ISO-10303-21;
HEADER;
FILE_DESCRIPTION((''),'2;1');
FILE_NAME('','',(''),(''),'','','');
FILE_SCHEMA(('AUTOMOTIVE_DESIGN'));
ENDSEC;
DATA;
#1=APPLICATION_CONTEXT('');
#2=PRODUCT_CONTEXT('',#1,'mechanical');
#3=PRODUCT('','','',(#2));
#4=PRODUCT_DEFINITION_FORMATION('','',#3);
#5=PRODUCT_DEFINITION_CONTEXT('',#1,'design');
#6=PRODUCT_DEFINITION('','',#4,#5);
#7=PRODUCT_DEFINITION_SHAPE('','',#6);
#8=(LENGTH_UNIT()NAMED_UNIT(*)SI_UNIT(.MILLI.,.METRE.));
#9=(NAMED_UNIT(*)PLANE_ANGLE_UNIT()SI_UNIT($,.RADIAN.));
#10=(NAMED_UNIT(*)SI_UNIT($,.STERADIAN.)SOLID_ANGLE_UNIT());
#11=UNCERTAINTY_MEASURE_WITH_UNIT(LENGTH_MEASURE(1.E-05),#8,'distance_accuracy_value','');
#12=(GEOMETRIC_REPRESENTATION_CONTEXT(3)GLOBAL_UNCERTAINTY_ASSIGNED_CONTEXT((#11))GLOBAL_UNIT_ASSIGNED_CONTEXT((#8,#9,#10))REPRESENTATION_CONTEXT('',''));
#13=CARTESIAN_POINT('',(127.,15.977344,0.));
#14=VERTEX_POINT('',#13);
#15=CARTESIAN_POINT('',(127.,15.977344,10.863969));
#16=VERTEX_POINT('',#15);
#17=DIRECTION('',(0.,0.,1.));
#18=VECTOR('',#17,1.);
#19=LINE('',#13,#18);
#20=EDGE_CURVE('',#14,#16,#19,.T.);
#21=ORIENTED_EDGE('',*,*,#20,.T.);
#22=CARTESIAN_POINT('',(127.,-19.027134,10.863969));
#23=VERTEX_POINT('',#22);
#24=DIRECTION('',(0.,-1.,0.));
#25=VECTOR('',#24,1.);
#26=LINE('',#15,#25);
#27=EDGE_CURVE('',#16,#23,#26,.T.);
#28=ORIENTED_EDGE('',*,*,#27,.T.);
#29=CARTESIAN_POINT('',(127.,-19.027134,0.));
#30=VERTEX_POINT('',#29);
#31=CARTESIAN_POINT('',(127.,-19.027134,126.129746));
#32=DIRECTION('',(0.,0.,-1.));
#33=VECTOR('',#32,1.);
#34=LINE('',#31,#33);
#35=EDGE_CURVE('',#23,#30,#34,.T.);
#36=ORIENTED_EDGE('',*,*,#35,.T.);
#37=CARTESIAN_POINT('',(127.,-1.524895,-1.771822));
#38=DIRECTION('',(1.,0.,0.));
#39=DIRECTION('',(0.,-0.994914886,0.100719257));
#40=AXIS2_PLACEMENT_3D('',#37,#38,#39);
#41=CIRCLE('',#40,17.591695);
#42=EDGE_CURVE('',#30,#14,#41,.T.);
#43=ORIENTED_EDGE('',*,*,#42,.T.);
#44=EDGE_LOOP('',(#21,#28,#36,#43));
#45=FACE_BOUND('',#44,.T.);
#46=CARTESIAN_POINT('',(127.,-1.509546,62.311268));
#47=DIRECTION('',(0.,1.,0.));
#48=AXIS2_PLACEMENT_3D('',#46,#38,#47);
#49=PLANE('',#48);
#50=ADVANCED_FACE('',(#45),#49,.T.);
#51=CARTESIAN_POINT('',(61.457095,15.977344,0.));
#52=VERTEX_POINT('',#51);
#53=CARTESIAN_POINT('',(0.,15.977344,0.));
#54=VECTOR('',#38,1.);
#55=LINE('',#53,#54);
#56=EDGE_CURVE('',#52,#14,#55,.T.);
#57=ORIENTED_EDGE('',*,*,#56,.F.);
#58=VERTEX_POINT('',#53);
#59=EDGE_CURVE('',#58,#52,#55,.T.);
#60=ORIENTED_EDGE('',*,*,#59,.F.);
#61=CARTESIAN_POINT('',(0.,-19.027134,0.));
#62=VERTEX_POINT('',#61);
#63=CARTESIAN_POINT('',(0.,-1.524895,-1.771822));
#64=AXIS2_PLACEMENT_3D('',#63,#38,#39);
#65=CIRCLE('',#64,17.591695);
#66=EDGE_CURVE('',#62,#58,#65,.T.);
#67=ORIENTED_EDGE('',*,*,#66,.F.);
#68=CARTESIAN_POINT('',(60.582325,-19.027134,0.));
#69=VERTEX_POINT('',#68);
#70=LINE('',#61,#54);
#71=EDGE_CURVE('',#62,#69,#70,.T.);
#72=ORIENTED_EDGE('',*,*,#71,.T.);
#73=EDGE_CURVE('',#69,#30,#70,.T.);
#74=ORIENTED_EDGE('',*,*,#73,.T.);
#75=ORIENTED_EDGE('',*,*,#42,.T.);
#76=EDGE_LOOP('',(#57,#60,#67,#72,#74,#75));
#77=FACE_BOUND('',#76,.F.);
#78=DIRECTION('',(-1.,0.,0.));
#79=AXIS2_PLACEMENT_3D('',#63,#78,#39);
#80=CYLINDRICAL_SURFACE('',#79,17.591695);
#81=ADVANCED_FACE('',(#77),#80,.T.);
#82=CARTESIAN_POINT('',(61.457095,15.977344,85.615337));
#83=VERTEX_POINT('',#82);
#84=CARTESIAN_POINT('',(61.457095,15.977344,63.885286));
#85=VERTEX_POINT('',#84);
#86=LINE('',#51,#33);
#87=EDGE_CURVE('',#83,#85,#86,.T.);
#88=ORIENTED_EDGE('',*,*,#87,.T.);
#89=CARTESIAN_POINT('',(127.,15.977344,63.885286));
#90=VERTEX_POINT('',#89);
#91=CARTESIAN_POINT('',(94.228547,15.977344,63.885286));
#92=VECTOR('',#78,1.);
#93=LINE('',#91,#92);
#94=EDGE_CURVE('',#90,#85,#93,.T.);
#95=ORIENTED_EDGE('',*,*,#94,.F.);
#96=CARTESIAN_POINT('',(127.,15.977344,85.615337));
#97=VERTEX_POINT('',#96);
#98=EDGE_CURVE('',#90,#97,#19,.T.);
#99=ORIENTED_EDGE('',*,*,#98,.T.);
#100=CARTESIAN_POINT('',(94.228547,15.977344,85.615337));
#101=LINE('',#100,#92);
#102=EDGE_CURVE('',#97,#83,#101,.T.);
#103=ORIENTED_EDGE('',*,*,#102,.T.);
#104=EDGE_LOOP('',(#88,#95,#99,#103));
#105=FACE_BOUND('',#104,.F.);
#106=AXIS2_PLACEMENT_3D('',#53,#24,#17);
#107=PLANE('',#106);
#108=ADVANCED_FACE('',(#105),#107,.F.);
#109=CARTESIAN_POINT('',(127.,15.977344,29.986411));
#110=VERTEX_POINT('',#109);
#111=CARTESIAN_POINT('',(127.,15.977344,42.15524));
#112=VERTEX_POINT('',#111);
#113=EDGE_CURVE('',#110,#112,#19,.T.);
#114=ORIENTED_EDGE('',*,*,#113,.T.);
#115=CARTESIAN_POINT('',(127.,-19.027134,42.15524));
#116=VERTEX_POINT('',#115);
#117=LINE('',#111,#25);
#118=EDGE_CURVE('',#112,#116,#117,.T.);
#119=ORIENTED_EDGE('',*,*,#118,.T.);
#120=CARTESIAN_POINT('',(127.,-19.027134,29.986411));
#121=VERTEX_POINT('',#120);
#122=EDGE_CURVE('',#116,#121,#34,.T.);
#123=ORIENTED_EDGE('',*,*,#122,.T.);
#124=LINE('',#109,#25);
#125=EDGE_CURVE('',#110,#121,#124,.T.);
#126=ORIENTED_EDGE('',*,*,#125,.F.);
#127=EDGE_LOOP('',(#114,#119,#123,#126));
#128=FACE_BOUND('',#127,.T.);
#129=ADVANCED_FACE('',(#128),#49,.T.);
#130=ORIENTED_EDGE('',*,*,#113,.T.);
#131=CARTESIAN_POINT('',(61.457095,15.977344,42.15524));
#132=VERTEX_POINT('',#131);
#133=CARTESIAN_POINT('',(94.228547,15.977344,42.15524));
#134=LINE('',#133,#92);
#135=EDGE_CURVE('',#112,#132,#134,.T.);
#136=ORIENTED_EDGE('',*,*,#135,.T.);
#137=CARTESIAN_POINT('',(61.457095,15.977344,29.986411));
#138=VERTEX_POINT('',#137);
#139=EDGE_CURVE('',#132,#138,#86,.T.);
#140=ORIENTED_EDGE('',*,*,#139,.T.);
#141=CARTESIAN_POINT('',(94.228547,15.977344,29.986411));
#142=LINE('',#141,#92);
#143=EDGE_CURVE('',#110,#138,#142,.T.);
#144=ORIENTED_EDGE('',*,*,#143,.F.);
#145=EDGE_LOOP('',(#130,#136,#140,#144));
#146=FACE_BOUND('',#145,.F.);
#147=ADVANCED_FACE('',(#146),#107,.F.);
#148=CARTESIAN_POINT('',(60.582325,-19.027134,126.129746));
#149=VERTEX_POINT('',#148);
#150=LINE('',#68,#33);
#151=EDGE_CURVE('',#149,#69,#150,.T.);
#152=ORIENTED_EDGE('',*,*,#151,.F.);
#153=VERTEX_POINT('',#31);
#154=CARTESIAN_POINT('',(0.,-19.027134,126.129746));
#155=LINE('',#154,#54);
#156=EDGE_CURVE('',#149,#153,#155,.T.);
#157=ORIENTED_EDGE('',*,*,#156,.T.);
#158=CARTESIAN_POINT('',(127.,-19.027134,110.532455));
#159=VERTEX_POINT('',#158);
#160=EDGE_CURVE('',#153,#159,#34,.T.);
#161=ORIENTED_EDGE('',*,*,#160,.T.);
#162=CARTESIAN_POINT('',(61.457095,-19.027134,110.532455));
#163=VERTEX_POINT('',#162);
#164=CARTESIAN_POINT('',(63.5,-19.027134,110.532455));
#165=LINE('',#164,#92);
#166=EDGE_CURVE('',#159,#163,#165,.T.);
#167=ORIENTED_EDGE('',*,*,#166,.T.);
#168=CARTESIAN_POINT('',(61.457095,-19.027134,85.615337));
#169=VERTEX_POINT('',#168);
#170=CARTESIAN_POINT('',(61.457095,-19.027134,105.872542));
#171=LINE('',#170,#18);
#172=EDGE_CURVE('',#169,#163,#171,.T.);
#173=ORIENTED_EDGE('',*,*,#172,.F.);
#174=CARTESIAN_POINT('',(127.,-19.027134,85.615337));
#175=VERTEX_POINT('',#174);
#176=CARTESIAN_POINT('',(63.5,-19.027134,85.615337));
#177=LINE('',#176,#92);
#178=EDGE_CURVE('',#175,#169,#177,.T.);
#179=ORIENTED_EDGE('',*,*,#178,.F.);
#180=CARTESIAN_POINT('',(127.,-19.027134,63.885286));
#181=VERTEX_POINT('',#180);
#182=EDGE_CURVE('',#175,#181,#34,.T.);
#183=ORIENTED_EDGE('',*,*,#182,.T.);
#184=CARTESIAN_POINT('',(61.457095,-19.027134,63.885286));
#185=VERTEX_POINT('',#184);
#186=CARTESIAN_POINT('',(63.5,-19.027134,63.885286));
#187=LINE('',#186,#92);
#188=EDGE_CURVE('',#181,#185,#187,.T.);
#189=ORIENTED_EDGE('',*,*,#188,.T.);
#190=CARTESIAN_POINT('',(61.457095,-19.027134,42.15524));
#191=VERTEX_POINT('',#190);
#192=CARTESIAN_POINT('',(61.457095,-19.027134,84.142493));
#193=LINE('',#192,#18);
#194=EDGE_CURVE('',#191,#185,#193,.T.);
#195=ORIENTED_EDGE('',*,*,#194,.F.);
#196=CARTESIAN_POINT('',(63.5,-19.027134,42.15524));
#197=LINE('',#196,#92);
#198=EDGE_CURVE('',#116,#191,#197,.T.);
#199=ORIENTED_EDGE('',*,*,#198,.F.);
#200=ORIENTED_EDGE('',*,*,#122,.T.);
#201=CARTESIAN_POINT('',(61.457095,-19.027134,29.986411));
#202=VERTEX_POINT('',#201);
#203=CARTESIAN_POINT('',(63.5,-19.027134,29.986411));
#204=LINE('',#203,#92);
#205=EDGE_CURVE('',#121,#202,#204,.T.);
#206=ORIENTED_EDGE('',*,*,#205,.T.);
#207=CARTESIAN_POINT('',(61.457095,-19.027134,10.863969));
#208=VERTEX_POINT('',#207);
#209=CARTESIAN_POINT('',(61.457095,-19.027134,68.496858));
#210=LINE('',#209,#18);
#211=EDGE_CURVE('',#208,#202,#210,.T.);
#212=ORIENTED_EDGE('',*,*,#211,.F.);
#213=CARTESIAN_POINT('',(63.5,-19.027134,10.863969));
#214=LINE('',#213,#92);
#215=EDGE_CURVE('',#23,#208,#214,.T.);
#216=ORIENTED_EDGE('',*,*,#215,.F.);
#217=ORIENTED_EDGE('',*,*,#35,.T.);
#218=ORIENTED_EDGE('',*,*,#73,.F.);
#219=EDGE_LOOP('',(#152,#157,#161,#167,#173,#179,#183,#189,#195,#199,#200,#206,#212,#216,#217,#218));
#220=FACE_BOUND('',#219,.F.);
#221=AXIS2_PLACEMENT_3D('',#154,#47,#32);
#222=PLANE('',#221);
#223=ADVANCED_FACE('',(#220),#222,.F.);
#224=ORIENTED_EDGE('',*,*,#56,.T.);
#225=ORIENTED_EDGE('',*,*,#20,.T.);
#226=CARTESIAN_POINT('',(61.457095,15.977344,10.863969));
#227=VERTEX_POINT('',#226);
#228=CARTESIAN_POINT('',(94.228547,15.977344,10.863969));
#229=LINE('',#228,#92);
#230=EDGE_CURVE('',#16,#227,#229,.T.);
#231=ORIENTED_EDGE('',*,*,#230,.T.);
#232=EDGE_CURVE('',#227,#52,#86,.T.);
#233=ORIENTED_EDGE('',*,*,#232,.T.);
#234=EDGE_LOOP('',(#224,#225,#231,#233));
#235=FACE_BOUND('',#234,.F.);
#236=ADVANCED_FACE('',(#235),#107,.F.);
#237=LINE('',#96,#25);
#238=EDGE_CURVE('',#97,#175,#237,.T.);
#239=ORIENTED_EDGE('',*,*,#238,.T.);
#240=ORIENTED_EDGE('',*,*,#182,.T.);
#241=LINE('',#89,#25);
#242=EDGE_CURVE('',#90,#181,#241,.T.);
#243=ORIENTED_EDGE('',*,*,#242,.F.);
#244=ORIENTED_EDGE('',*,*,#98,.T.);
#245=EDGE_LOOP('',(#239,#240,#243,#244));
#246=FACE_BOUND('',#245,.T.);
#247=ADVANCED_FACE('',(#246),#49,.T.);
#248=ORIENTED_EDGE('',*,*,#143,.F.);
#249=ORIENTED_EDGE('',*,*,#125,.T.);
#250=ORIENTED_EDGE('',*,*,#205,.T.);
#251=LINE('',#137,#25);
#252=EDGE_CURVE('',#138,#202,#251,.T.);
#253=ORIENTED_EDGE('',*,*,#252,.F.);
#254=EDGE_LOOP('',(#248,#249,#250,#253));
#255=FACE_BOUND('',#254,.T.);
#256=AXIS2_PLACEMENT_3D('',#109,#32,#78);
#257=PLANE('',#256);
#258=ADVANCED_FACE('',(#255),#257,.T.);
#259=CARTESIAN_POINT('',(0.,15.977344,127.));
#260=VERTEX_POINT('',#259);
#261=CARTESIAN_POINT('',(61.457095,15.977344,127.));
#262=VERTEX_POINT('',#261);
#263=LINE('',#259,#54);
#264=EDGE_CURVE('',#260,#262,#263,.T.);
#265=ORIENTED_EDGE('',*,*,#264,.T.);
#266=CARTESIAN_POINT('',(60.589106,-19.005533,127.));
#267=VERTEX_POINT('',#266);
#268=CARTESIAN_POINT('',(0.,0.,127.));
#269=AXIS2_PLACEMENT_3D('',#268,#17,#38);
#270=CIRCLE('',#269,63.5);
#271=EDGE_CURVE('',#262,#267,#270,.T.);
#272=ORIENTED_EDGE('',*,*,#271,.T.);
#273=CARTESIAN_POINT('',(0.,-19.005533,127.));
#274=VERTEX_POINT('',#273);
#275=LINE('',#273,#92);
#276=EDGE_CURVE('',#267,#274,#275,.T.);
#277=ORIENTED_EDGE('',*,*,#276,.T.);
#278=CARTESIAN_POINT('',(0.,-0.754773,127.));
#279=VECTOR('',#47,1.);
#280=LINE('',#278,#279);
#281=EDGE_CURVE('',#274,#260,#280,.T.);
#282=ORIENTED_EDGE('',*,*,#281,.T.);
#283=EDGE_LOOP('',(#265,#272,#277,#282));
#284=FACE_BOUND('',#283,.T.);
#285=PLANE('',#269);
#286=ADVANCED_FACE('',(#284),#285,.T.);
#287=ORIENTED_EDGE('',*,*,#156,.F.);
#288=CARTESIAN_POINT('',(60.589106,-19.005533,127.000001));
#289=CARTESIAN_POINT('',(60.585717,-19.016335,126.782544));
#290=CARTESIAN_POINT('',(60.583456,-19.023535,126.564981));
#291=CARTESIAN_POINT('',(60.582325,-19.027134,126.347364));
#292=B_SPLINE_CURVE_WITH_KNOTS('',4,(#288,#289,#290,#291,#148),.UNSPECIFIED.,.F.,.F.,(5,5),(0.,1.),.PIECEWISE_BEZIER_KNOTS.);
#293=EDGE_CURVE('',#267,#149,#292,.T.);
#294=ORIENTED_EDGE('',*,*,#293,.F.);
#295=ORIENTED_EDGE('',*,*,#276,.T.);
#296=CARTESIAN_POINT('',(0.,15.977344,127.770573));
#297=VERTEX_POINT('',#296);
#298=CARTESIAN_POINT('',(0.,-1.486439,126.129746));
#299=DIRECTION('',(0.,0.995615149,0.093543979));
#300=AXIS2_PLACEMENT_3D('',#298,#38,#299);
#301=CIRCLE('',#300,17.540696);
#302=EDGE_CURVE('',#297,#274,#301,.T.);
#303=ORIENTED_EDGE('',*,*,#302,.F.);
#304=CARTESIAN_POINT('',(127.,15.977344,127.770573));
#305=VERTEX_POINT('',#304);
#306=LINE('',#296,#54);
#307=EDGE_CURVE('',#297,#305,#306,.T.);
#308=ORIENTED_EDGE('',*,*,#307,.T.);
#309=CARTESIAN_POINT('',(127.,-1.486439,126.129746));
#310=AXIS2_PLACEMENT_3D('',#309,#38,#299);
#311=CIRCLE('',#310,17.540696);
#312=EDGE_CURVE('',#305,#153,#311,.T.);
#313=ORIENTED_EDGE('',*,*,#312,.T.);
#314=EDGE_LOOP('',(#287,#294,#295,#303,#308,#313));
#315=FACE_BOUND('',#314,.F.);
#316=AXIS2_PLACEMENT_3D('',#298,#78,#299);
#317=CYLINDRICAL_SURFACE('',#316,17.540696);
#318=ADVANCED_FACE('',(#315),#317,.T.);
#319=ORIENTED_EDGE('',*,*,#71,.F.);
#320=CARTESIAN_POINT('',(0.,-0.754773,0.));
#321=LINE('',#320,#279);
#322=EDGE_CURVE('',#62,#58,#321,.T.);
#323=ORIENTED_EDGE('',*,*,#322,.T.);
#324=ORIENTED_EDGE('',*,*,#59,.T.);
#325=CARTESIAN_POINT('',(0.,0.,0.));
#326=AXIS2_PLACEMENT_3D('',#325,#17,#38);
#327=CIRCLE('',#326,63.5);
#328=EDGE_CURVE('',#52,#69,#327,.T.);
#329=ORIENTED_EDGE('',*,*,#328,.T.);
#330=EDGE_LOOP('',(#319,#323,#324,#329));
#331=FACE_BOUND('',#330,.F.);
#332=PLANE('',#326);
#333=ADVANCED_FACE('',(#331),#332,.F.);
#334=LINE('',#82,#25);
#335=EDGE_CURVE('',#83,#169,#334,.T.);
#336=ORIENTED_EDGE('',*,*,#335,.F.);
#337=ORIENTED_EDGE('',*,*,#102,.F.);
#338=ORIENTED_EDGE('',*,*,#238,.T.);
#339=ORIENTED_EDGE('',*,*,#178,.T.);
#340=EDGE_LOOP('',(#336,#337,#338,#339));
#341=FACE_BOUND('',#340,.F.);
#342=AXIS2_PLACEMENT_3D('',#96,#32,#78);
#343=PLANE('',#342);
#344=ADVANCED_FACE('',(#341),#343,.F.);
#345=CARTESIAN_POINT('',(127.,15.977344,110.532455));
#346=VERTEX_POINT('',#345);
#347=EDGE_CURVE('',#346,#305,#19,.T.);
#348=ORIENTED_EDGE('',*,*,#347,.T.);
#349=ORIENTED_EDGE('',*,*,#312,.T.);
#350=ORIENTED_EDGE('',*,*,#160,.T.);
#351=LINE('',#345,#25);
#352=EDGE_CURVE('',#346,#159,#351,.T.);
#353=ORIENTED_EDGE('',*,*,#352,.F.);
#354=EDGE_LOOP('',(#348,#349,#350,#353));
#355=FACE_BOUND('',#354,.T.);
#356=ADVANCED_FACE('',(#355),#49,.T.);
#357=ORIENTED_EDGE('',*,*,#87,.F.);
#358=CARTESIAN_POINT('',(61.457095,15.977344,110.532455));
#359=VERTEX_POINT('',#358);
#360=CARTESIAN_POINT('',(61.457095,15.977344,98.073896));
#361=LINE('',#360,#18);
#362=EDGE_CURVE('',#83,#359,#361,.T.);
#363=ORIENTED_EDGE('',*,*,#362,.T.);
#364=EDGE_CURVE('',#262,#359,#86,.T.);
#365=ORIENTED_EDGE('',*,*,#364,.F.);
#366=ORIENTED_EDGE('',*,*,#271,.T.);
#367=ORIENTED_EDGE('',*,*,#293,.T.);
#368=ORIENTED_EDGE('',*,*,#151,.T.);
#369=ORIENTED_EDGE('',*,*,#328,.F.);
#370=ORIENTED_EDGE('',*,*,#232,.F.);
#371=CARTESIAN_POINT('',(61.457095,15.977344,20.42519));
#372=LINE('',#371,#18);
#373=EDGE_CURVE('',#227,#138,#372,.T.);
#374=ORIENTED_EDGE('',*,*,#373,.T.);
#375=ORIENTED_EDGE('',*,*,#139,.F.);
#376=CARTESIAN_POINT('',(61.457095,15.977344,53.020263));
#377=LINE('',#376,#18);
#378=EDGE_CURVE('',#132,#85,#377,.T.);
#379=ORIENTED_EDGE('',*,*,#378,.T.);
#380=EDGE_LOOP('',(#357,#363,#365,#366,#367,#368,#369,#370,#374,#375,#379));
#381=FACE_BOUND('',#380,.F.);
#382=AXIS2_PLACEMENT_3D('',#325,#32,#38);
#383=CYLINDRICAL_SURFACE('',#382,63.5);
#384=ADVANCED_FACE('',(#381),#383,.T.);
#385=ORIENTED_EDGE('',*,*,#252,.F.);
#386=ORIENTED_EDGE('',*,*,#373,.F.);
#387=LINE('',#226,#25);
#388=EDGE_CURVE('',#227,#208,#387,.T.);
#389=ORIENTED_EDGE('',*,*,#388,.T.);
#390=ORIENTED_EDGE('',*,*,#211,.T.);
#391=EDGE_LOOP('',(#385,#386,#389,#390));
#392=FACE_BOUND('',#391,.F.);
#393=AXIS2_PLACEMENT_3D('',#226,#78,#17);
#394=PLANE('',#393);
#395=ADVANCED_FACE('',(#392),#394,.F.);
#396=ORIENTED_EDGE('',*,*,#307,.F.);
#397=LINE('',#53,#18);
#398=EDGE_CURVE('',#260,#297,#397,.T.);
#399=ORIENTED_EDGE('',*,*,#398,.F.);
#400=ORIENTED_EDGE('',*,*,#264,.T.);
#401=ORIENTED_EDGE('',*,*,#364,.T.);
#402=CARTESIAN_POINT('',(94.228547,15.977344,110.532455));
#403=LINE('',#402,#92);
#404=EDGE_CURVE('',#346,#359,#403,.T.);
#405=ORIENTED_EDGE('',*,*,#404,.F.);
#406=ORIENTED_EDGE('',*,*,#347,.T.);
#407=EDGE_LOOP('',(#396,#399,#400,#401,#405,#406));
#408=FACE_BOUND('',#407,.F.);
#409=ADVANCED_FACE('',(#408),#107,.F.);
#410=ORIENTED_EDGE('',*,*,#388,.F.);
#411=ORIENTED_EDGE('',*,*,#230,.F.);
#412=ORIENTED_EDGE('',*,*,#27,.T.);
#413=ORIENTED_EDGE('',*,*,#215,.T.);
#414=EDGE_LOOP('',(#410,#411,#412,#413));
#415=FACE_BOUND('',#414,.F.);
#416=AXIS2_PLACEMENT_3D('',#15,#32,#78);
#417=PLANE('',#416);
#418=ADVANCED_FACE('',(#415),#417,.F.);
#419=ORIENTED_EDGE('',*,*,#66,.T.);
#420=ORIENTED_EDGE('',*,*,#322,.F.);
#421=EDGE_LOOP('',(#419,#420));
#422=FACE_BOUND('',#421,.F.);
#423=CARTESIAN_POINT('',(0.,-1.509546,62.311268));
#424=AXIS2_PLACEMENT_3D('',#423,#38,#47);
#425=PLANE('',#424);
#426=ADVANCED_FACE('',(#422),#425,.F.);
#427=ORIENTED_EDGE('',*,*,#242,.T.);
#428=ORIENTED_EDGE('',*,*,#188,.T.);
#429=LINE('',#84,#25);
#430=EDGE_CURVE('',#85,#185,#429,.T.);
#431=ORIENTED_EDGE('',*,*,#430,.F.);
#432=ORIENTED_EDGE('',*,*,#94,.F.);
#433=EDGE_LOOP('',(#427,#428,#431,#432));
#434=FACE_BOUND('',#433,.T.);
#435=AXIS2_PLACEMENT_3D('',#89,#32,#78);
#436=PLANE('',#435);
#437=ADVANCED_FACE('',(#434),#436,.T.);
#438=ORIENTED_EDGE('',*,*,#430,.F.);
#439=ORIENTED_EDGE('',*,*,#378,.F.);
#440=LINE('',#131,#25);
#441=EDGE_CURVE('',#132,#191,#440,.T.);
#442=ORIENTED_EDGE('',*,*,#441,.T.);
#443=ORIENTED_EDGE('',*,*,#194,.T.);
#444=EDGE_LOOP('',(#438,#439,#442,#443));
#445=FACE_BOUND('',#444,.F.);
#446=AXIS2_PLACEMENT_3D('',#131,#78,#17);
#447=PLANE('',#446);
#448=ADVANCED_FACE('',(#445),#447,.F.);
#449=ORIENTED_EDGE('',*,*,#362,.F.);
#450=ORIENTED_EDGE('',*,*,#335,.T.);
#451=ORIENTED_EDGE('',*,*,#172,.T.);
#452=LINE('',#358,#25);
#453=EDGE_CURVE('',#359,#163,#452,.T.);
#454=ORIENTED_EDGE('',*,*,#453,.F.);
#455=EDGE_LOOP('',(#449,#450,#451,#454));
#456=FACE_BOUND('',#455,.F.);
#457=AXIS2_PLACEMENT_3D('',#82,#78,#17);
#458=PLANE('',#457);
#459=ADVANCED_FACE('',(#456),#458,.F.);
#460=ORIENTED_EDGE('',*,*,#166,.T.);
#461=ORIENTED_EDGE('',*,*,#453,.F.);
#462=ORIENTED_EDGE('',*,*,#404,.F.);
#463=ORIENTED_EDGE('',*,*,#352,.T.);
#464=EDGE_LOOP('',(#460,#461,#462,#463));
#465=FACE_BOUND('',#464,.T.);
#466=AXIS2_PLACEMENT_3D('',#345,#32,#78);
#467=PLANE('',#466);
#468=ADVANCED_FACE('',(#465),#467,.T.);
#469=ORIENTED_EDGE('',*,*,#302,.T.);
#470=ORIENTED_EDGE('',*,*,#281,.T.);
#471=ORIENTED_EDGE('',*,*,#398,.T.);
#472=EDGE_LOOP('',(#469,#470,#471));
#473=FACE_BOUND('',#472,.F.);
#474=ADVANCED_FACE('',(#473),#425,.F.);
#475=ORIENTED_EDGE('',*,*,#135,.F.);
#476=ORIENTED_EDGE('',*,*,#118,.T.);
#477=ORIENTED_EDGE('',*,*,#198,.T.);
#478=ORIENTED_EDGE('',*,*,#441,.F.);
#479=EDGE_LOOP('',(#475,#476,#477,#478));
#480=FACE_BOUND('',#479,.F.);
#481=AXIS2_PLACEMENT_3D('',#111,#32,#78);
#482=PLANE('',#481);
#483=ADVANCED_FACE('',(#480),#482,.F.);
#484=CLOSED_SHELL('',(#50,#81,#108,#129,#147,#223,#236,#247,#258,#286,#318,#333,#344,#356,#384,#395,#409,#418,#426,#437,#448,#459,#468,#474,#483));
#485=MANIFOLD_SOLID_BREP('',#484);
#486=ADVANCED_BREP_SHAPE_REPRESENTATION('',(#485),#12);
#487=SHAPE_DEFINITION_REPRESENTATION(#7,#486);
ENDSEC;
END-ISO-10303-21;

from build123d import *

# Parameters (mm, degrees)
F0_R     = 63.5
F1_DEPTH = 127
F3_DEPTH = 127
F4_W     = 65.542905265
F4_H     = 24.9171182513
F4_H_2   = 21.7300467193
F4_H_3   = 19.1224422306
F5_DEPTH = 35.56


with BuildPart() as f1:
    # F0 (on Top) → F1 (new body)
    with BuildSketch(Plane.XY):
        Circle(F0_R)
    extrude(amount=F1_DEPTH)

    # F2 (on Right) → F3 (join)
    with BuildSketch(Plane.YZ):
        with BuildLine():
            ThreePointArc((15.9773435444, 127.7705729008), (-2.3077528181, 143.6512031965), (-19.0271344036, 126.1297464371))
            Line((-19.0271344036, 126.1297464371), (-19.0271344036, 0))
            ThreePointArc((-19.0271344036, 0), (-1.5248954296, -19.3635171715), (15.9773435444, 0))
            Line((15.9773435444, 0), (15.9773435444, 127.7705729008))
        make_face()
    extrude(amount=F3_DEPTH)

    # F4 (on face) → F5 (cut)
    with BuildSketch(Plane(origin=(0, 15.9773435444, 0), x_dir=(-1, 0, 0), z_dir=(0, 1, 0))):
        with Locations((-94.2285473675, 98.0738960207)):
            Rectangle(F4_W, F4_H)
        with Locations((-94.2285473675, 53.0202630907)):
            Rectangle(F4_W, F4_H_2)
        with Locations((-94.2285473675, 20.4251902178)):
            Rectangle(F4_W, F4_H_3)
    extrude(amount=-F5_DEPTH, mode=Mode.SUBTRACT)


solid = f1.part
